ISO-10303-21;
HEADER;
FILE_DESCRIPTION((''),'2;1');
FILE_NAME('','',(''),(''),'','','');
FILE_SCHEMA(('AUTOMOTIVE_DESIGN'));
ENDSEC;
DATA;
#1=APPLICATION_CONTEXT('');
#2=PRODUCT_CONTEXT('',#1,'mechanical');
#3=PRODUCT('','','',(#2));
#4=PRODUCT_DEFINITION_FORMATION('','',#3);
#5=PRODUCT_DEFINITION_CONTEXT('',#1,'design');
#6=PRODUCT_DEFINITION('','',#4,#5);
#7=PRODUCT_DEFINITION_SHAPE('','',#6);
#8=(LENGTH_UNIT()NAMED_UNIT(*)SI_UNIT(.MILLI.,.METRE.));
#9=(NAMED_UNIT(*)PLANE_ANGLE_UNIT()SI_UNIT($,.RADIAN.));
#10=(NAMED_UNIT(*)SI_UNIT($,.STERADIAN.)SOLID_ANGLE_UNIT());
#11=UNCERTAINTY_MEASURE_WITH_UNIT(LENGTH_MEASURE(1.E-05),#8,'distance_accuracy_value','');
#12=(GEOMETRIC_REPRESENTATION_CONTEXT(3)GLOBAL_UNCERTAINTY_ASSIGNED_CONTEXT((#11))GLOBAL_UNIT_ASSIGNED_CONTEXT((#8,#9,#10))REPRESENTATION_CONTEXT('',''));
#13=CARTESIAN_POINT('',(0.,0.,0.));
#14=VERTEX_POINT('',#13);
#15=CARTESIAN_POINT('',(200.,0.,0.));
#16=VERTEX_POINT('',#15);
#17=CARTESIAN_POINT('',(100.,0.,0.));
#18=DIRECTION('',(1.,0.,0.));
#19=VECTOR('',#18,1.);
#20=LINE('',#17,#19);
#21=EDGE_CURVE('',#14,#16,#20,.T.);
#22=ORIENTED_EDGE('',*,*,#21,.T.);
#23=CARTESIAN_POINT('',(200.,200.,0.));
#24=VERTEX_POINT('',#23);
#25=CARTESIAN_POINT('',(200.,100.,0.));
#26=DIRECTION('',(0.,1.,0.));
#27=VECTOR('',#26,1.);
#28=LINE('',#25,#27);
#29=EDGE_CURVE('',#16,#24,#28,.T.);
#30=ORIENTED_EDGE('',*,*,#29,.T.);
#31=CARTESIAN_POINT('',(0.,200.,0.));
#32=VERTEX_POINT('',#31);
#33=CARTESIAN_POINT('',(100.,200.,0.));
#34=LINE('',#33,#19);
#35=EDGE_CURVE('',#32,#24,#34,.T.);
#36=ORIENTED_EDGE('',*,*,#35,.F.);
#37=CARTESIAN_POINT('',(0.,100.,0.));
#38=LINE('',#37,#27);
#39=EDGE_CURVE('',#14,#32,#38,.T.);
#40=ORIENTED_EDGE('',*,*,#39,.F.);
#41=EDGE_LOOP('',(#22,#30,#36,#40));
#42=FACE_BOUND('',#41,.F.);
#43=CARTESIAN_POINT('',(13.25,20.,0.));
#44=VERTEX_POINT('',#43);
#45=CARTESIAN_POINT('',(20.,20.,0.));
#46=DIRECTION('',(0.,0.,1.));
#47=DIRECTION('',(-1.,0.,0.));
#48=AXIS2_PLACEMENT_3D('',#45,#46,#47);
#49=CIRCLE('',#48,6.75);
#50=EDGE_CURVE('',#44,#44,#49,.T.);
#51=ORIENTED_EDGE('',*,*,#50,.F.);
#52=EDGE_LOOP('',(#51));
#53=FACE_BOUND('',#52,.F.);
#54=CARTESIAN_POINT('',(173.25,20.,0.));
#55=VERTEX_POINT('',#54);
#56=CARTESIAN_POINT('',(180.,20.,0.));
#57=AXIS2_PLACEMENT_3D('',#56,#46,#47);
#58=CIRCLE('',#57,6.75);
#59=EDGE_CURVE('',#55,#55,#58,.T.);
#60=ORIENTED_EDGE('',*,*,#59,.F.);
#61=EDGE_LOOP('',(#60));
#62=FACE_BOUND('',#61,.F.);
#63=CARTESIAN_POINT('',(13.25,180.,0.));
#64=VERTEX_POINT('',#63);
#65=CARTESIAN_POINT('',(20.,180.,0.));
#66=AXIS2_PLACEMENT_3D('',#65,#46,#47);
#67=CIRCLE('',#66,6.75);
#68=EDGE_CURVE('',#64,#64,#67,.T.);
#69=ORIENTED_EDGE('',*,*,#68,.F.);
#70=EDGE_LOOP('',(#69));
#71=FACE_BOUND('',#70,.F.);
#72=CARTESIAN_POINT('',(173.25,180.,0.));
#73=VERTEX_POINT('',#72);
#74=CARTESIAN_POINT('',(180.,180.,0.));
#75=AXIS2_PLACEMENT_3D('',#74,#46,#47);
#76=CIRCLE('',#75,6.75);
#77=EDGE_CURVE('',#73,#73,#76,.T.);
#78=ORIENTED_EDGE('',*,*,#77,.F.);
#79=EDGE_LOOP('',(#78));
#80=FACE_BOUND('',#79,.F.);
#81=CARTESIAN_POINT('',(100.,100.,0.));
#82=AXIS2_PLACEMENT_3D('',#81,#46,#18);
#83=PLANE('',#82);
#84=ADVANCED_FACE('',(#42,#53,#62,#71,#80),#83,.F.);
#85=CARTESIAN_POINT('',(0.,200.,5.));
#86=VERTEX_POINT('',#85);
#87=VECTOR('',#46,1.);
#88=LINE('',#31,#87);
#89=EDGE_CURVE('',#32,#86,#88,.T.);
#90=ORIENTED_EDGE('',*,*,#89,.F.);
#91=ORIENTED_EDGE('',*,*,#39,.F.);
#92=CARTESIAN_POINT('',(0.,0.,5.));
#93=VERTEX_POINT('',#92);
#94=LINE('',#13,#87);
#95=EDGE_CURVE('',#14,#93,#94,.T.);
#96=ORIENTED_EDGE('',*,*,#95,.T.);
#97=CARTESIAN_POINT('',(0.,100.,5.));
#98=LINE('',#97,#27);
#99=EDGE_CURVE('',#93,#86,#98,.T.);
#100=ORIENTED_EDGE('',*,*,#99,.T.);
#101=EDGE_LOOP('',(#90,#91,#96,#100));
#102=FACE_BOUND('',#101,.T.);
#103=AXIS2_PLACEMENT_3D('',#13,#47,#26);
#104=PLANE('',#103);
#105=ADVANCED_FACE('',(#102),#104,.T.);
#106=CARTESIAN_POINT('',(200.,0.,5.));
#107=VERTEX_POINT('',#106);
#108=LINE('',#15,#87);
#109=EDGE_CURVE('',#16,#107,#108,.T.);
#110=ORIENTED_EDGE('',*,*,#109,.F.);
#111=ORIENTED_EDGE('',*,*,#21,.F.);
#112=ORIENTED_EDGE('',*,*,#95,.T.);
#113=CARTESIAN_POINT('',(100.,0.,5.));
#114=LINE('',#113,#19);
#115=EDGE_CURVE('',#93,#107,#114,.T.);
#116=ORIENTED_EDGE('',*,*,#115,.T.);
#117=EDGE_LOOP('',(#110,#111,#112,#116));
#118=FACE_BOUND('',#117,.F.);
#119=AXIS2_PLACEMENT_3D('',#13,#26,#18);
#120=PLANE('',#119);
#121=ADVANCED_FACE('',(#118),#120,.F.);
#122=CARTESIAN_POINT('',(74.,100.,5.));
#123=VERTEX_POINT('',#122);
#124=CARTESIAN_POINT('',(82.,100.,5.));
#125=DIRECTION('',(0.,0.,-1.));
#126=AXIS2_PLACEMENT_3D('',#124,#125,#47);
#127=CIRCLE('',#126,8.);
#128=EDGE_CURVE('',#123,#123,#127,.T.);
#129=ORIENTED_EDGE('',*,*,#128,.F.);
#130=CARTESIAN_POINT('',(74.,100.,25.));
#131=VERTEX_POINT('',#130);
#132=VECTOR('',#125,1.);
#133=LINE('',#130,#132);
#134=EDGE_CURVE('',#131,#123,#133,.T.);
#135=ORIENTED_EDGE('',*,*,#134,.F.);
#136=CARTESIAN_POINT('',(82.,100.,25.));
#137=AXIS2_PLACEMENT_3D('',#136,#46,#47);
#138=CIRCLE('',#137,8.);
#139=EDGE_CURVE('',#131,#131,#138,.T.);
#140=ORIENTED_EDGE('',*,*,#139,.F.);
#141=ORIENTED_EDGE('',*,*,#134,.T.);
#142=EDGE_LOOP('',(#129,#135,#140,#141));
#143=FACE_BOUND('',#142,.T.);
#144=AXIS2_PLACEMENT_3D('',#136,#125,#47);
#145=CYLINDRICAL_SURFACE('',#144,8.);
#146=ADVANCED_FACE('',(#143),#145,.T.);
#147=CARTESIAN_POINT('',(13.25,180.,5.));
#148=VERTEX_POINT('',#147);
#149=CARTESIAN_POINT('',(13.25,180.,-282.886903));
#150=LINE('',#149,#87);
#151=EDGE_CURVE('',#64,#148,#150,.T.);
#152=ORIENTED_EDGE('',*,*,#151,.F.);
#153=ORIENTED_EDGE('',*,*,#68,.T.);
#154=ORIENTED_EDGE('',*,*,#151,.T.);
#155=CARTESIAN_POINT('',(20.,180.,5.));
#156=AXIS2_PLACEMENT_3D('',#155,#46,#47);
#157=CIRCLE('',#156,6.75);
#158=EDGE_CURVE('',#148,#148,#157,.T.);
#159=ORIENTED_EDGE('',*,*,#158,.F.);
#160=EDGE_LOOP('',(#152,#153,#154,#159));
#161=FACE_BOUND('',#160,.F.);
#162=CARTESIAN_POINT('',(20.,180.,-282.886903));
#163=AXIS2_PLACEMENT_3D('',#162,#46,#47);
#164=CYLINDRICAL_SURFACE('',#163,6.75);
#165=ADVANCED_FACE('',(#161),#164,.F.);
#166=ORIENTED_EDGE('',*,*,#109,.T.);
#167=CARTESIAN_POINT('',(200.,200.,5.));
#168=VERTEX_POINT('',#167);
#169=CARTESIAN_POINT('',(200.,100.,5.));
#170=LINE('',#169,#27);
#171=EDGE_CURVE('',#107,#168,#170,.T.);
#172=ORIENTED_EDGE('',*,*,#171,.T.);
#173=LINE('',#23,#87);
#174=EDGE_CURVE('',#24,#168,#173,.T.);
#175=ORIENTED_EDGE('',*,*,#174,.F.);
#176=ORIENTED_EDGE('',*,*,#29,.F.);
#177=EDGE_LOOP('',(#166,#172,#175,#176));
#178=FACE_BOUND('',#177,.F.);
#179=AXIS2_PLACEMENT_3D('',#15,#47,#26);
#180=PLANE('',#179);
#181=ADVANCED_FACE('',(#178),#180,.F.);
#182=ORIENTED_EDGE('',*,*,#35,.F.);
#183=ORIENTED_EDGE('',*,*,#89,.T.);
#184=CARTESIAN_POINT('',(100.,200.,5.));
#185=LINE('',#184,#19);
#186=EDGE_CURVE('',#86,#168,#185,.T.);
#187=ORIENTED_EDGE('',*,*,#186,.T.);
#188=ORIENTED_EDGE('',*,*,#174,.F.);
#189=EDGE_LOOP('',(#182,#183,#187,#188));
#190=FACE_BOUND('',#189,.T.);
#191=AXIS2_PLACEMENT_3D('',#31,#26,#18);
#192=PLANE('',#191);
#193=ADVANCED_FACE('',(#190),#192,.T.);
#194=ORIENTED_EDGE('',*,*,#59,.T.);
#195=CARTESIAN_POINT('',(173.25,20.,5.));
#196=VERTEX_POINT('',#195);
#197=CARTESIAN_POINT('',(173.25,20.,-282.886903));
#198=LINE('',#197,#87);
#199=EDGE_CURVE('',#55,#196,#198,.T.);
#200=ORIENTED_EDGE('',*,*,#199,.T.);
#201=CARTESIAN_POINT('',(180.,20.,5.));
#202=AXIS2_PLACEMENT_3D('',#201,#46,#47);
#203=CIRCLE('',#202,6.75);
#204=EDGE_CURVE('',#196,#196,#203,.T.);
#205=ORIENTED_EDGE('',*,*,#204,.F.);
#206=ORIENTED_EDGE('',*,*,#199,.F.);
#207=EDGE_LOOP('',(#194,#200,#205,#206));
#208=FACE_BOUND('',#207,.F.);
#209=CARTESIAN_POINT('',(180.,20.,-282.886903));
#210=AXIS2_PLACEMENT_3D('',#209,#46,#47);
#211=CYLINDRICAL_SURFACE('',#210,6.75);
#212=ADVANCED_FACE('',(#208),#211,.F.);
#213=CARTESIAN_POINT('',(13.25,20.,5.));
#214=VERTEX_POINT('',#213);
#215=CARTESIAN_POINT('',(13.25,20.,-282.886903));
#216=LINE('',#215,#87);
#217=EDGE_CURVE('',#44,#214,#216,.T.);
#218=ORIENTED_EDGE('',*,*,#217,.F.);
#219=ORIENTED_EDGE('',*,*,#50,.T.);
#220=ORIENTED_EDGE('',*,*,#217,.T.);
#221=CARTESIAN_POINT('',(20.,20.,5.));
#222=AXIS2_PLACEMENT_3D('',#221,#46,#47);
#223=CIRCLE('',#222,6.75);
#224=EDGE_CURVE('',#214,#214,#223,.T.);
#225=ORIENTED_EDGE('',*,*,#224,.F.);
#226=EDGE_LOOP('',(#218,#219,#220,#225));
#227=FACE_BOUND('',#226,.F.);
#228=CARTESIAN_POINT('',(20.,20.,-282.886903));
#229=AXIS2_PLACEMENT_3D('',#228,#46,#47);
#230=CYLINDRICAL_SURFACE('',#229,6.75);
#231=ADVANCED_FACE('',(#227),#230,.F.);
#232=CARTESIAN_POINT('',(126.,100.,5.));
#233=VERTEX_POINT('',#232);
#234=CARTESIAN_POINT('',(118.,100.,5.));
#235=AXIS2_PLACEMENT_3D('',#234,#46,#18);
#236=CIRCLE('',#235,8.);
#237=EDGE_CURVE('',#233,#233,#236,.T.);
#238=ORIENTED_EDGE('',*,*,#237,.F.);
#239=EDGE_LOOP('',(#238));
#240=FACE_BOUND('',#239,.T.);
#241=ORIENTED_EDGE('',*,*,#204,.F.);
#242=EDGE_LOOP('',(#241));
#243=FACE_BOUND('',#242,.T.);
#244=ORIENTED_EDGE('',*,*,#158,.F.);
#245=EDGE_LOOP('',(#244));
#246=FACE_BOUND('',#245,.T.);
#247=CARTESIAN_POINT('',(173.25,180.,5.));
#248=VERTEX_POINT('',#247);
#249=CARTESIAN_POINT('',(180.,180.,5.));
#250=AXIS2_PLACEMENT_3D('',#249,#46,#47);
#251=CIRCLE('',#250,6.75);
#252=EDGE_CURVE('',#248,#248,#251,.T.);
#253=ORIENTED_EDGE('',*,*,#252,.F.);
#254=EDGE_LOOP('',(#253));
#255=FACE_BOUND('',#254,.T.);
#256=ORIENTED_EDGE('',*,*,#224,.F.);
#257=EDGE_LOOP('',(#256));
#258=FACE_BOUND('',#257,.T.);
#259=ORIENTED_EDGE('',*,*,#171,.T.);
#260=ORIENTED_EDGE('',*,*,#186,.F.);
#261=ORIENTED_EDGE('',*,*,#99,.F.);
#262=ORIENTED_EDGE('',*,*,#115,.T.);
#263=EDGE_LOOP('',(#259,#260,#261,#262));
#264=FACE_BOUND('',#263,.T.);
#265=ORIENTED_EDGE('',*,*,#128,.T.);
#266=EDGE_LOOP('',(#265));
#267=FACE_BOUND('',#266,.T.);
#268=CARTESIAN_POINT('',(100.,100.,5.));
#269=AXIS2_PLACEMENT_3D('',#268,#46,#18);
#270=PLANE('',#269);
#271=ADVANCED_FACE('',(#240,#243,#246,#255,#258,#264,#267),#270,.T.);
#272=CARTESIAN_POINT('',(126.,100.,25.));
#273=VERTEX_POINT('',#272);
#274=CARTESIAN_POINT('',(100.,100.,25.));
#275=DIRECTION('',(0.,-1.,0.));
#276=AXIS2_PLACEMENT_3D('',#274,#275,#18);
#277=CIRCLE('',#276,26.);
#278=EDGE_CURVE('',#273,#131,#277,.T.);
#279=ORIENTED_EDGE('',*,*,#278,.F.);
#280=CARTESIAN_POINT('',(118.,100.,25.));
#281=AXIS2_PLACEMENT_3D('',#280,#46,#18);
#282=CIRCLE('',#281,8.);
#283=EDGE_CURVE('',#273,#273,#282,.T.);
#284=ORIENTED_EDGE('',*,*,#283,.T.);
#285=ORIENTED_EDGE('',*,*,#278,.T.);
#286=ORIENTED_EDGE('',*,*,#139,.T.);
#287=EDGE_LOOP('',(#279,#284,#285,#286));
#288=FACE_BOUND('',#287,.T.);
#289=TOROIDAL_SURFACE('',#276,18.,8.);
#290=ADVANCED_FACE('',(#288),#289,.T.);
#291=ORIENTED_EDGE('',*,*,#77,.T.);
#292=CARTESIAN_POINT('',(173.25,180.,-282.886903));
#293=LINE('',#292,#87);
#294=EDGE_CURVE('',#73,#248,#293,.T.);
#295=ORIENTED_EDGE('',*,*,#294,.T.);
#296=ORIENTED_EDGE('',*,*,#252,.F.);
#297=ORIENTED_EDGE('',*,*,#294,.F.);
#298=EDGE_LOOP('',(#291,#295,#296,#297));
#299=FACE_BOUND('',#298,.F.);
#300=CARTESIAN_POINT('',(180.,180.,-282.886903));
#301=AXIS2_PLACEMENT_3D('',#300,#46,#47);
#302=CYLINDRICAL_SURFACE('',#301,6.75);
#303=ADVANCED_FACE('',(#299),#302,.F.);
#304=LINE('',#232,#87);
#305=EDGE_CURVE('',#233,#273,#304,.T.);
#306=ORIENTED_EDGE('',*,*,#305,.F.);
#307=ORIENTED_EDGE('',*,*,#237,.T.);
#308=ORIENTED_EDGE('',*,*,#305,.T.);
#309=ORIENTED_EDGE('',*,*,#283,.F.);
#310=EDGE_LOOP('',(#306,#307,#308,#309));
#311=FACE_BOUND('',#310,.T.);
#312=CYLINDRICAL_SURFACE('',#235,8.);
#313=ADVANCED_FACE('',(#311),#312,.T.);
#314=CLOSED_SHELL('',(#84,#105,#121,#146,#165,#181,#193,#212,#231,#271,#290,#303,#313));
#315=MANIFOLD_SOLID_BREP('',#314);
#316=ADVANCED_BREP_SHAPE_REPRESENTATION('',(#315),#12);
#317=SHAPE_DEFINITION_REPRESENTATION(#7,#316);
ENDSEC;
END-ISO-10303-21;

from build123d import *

# Parameters (mm, degrees)
F0_W     = 200
F0_H     = 200
F1_DEPTH = 5
F3_D     = 13.5
F5_R     = 8


with BuildPart() as f1:
    # F0 (on Top) → F1 (new body)
    with BuildSketch(Plane.XY):
        with Locations((100, 100)):
            Rectangle(F0_W, F0_H)
    extrude(amount=F1_DEPTH)

    # F3 (through all)
    with Locations(Plane(origin=(0, 0, 0), x_dir=(1, 0, 0), z_dir=(0, 0, -1))):
        with Locations((20, -20), (180, -20), (20, -180), (180, -180)):
            Hole(F3_D / 2)

    # F8: sweep along a path in F7
    with BuildLine(Plane.XZ.offset(-100)) as f8_path:
        Line((118, 5), (118, 25))
        ThreePointArc((118, 25), (100, 43), (82, 25))
        Line((82, 25), (82, 5))
    # F5 (on face) → F8 (sweep)
    with BuildSketch(Plane.XY.offset(5)):
        with Locations((118, 100)):
            Circle(F5_R)
    sweep(path=f8_path.line)


solid = f1.part
